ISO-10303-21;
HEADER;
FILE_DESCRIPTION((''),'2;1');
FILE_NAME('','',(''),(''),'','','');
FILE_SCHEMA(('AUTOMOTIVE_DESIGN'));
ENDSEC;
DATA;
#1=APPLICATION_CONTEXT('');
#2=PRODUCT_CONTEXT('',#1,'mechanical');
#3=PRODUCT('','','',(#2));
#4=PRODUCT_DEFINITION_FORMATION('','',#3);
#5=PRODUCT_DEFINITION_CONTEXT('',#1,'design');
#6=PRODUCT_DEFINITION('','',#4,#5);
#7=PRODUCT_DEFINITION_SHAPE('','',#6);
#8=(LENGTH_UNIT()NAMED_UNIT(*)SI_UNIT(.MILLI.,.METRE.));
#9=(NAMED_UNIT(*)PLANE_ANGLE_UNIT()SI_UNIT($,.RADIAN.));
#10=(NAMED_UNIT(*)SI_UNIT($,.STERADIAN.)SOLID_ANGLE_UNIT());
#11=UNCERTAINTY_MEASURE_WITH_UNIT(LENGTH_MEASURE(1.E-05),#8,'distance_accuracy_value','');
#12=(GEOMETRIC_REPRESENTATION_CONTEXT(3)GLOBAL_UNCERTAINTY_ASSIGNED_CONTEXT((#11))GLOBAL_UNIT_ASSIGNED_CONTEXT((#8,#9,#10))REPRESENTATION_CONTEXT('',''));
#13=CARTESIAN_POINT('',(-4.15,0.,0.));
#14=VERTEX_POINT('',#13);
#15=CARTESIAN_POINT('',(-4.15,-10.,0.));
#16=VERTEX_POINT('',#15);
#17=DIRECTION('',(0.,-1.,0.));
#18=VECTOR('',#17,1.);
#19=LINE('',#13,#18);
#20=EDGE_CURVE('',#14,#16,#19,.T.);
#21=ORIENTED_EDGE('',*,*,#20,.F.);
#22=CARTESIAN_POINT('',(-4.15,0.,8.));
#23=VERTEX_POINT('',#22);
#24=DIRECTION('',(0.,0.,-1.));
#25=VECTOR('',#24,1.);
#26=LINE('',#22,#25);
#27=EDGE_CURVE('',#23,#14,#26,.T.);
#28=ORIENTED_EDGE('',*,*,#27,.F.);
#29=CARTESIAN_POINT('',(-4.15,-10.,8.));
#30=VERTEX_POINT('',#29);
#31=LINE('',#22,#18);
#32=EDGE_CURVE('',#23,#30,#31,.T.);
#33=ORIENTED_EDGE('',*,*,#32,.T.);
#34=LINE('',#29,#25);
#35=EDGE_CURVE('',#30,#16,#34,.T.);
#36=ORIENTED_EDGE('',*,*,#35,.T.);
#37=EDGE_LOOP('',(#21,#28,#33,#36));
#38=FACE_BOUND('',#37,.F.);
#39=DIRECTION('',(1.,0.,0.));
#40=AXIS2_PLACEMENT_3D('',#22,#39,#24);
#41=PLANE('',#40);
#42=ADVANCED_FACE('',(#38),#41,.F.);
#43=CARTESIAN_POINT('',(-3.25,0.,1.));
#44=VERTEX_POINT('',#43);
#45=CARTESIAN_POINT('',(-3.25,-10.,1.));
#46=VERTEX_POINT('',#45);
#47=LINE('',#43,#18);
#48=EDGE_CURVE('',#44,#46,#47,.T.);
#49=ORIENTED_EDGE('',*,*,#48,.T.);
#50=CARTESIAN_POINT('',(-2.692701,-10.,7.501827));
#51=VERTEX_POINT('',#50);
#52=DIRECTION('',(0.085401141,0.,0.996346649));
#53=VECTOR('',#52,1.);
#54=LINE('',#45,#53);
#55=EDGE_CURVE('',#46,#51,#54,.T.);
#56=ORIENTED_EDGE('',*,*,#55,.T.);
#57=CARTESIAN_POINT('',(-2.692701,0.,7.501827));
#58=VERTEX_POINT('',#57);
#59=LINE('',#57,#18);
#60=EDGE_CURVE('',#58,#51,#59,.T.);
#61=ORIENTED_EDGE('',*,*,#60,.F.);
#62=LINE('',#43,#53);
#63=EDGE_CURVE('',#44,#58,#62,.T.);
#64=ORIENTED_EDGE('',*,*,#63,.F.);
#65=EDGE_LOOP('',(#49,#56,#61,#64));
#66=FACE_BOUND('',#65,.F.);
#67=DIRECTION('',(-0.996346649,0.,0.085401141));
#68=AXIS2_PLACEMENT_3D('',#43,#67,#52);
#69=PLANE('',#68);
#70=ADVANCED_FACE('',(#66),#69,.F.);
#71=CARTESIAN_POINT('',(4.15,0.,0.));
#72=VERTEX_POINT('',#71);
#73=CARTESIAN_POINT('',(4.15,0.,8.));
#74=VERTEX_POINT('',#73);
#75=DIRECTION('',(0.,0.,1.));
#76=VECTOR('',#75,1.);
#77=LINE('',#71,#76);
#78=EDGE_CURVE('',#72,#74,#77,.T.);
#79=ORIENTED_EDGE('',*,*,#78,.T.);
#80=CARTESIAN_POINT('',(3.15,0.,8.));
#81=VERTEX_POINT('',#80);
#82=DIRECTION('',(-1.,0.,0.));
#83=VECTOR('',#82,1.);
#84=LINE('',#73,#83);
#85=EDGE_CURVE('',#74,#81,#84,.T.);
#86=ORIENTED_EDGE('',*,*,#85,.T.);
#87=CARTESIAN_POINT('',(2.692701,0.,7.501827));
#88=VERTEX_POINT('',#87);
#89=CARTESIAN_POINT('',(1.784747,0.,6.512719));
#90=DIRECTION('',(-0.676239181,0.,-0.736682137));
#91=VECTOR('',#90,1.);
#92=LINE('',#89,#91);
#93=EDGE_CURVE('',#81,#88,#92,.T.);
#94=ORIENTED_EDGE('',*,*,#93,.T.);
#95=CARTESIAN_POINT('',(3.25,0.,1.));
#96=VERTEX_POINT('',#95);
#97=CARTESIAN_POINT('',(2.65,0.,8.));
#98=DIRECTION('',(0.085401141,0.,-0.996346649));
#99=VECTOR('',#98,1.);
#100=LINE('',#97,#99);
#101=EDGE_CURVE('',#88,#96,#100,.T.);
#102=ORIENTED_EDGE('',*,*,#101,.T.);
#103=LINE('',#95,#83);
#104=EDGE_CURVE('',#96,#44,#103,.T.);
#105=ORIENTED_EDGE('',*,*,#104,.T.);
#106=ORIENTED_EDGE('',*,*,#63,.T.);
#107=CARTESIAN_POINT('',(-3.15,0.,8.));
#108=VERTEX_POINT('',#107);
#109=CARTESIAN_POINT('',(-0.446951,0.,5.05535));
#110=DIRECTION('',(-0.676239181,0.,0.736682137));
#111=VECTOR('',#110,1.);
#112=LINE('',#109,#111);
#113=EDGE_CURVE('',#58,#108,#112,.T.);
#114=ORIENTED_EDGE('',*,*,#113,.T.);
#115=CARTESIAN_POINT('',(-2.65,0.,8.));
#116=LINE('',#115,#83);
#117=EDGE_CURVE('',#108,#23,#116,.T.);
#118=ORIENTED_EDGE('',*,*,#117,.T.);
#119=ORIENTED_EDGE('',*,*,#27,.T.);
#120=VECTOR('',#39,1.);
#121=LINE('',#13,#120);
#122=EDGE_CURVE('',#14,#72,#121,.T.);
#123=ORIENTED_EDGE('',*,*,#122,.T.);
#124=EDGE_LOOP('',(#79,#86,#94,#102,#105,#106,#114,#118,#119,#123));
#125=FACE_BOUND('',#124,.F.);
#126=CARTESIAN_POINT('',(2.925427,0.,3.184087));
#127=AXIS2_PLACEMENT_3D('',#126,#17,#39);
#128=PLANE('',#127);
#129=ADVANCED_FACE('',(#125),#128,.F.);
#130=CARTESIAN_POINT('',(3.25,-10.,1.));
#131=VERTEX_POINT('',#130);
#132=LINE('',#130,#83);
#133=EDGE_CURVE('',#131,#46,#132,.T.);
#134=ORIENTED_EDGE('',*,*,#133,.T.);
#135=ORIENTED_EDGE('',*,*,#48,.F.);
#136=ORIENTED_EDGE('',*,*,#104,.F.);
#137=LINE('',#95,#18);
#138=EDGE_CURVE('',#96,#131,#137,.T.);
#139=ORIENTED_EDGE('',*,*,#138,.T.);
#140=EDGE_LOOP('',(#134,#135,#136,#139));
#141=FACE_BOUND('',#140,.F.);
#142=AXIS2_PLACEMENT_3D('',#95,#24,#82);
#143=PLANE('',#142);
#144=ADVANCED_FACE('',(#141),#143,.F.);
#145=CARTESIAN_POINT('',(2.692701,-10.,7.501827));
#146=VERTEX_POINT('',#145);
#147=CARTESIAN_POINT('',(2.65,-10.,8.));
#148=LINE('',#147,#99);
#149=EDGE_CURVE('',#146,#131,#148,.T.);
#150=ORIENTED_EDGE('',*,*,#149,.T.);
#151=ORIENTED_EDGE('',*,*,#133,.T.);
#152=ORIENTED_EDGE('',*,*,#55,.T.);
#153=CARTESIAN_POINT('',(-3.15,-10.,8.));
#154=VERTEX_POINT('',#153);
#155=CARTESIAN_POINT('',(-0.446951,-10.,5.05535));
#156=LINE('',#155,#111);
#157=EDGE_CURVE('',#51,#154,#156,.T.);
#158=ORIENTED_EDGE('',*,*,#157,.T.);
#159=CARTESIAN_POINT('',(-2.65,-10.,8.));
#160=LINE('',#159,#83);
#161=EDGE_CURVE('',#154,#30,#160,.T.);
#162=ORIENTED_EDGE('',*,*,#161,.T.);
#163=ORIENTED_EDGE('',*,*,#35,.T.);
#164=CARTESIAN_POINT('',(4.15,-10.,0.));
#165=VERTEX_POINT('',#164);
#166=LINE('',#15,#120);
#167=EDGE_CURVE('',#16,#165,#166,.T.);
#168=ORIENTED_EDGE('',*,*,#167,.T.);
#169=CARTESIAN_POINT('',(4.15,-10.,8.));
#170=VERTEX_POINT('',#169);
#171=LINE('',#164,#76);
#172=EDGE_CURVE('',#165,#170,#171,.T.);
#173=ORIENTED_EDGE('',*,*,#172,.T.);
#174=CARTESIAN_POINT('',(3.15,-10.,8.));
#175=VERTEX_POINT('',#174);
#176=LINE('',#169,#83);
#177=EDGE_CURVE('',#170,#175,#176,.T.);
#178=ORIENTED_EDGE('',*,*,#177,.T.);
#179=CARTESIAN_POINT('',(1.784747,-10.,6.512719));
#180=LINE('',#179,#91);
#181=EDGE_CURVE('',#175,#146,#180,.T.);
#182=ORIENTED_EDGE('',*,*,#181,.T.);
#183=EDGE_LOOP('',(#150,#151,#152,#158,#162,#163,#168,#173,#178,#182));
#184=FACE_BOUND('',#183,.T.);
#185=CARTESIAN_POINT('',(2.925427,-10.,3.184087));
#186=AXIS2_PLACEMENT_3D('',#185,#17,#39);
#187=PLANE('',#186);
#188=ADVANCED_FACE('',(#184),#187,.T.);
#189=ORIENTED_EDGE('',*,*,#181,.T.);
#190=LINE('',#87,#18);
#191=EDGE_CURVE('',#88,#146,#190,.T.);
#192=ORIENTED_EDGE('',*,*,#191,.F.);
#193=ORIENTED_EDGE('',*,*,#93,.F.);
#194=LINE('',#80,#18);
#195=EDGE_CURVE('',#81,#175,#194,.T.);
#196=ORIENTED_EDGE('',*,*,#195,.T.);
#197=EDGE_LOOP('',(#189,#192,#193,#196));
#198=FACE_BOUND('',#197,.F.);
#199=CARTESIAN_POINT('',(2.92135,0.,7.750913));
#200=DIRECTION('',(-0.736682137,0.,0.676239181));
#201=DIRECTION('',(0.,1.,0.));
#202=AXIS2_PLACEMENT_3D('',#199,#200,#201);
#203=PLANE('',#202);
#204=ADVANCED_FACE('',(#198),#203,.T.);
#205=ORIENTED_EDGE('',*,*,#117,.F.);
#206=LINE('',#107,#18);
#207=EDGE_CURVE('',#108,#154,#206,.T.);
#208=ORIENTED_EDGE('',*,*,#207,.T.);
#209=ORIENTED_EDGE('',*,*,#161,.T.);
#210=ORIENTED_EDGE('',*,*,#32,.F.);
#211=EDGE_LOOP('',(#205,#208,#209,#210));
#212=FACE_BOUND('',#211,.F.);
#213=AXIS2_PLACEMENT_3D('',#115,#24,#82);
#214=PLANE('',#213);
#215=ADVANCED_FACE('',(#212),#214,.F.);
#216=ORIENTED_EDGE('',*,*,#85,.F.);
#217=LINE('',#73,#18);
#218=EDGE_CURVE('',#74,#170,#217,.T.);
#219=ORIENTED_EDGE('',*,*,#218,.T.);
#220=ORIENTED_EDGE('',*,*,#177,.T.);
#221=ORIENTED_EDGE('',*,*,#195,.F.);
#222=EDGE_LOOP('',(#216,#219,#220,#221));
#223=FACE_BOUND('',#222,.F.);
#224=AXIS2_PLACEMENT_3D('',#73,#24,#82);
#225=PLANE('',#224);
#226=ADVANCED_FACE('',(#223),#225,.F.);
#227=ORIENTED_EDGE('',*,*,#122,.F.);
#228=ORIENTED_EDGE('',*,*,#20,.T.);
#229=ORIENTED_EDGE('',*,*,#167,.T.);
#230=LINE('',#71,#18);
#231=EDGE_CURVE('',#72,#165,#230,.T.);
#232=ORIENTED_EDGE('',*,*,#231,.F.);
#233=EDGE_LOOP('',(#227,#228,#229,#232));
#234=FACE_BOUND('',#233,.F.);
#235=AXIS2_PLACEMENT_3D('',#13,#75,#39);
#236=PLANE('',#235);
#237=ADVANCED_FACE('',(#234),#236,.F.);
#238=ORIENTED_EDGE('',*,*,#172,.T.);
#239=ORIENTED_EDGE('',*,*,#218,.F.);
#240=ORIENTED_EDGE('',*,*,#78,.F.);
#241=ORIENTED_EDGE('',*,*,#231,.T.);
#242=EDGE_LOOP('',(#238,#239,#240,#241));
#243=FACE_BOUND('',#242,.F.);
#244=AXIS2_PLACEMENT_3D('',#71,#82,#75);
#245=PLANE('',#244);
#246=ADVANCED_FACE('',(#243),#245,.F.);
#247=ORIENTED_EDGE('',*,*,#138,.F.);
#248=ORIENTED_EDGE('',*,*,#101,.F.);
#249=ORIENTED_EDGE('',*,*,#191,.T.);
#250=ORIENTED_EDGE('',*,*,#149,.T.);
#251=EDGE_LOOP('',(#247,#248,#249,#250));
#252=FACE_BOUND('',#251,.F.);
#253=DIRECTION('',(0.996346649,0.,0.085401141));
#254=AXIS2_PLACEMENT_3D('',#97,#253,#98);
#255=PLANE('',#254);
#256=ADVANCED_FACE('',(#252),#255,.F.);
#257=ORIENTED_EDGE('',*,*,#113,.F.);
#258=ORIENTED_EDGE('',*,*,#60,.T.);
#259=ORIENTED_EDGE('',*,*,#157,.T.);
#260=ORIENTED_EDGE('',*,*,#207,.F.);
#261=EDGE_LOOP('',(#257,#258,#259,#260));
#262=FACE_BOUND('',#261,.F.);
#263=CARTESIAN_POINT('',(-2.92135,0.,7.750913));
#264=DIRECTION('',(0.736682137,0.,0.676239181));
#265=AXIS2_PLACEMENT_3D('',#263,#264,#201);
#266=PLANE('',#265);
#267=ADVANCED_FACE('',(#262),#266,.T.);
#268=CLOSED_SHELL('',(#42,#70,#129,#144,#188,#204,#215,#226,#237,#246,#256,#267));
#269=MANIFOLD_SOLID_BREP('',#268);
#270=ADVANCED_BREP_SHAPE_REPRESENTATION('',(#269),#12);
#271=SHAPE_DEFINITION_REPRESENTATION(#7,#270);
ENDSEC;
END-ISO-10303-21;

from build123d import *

# Parameters (mm, degrees)
F1_DEPTH = 10
F2_SIZE  = 0.5


with BuildPart() as f1:
    # F0 (on Front) → F1 (new body)
    with BuildSketch(Plane.XZ):
        Polygon((0, 1), (0, 0), (4.15, 0), (4.15, 8), (2.65, 8), (3.25, 1), align=None)
        Polygon((-4.15, 0), (0, 0), (0, 1), (-3.25, 1), (-2.65, 8), (-4.15, 8), align=None)
    extrude(amount=F1_DEPTH)

    # F2
    f2_edges = [f1.edges().sort_by_distance(p)[0] for p in [
        (-2.65, -5, 8),
        (2.65, -5, 8),
    ]]
    chamfer(f2_edges, length=F2_SIZE)


solid = f1.part
